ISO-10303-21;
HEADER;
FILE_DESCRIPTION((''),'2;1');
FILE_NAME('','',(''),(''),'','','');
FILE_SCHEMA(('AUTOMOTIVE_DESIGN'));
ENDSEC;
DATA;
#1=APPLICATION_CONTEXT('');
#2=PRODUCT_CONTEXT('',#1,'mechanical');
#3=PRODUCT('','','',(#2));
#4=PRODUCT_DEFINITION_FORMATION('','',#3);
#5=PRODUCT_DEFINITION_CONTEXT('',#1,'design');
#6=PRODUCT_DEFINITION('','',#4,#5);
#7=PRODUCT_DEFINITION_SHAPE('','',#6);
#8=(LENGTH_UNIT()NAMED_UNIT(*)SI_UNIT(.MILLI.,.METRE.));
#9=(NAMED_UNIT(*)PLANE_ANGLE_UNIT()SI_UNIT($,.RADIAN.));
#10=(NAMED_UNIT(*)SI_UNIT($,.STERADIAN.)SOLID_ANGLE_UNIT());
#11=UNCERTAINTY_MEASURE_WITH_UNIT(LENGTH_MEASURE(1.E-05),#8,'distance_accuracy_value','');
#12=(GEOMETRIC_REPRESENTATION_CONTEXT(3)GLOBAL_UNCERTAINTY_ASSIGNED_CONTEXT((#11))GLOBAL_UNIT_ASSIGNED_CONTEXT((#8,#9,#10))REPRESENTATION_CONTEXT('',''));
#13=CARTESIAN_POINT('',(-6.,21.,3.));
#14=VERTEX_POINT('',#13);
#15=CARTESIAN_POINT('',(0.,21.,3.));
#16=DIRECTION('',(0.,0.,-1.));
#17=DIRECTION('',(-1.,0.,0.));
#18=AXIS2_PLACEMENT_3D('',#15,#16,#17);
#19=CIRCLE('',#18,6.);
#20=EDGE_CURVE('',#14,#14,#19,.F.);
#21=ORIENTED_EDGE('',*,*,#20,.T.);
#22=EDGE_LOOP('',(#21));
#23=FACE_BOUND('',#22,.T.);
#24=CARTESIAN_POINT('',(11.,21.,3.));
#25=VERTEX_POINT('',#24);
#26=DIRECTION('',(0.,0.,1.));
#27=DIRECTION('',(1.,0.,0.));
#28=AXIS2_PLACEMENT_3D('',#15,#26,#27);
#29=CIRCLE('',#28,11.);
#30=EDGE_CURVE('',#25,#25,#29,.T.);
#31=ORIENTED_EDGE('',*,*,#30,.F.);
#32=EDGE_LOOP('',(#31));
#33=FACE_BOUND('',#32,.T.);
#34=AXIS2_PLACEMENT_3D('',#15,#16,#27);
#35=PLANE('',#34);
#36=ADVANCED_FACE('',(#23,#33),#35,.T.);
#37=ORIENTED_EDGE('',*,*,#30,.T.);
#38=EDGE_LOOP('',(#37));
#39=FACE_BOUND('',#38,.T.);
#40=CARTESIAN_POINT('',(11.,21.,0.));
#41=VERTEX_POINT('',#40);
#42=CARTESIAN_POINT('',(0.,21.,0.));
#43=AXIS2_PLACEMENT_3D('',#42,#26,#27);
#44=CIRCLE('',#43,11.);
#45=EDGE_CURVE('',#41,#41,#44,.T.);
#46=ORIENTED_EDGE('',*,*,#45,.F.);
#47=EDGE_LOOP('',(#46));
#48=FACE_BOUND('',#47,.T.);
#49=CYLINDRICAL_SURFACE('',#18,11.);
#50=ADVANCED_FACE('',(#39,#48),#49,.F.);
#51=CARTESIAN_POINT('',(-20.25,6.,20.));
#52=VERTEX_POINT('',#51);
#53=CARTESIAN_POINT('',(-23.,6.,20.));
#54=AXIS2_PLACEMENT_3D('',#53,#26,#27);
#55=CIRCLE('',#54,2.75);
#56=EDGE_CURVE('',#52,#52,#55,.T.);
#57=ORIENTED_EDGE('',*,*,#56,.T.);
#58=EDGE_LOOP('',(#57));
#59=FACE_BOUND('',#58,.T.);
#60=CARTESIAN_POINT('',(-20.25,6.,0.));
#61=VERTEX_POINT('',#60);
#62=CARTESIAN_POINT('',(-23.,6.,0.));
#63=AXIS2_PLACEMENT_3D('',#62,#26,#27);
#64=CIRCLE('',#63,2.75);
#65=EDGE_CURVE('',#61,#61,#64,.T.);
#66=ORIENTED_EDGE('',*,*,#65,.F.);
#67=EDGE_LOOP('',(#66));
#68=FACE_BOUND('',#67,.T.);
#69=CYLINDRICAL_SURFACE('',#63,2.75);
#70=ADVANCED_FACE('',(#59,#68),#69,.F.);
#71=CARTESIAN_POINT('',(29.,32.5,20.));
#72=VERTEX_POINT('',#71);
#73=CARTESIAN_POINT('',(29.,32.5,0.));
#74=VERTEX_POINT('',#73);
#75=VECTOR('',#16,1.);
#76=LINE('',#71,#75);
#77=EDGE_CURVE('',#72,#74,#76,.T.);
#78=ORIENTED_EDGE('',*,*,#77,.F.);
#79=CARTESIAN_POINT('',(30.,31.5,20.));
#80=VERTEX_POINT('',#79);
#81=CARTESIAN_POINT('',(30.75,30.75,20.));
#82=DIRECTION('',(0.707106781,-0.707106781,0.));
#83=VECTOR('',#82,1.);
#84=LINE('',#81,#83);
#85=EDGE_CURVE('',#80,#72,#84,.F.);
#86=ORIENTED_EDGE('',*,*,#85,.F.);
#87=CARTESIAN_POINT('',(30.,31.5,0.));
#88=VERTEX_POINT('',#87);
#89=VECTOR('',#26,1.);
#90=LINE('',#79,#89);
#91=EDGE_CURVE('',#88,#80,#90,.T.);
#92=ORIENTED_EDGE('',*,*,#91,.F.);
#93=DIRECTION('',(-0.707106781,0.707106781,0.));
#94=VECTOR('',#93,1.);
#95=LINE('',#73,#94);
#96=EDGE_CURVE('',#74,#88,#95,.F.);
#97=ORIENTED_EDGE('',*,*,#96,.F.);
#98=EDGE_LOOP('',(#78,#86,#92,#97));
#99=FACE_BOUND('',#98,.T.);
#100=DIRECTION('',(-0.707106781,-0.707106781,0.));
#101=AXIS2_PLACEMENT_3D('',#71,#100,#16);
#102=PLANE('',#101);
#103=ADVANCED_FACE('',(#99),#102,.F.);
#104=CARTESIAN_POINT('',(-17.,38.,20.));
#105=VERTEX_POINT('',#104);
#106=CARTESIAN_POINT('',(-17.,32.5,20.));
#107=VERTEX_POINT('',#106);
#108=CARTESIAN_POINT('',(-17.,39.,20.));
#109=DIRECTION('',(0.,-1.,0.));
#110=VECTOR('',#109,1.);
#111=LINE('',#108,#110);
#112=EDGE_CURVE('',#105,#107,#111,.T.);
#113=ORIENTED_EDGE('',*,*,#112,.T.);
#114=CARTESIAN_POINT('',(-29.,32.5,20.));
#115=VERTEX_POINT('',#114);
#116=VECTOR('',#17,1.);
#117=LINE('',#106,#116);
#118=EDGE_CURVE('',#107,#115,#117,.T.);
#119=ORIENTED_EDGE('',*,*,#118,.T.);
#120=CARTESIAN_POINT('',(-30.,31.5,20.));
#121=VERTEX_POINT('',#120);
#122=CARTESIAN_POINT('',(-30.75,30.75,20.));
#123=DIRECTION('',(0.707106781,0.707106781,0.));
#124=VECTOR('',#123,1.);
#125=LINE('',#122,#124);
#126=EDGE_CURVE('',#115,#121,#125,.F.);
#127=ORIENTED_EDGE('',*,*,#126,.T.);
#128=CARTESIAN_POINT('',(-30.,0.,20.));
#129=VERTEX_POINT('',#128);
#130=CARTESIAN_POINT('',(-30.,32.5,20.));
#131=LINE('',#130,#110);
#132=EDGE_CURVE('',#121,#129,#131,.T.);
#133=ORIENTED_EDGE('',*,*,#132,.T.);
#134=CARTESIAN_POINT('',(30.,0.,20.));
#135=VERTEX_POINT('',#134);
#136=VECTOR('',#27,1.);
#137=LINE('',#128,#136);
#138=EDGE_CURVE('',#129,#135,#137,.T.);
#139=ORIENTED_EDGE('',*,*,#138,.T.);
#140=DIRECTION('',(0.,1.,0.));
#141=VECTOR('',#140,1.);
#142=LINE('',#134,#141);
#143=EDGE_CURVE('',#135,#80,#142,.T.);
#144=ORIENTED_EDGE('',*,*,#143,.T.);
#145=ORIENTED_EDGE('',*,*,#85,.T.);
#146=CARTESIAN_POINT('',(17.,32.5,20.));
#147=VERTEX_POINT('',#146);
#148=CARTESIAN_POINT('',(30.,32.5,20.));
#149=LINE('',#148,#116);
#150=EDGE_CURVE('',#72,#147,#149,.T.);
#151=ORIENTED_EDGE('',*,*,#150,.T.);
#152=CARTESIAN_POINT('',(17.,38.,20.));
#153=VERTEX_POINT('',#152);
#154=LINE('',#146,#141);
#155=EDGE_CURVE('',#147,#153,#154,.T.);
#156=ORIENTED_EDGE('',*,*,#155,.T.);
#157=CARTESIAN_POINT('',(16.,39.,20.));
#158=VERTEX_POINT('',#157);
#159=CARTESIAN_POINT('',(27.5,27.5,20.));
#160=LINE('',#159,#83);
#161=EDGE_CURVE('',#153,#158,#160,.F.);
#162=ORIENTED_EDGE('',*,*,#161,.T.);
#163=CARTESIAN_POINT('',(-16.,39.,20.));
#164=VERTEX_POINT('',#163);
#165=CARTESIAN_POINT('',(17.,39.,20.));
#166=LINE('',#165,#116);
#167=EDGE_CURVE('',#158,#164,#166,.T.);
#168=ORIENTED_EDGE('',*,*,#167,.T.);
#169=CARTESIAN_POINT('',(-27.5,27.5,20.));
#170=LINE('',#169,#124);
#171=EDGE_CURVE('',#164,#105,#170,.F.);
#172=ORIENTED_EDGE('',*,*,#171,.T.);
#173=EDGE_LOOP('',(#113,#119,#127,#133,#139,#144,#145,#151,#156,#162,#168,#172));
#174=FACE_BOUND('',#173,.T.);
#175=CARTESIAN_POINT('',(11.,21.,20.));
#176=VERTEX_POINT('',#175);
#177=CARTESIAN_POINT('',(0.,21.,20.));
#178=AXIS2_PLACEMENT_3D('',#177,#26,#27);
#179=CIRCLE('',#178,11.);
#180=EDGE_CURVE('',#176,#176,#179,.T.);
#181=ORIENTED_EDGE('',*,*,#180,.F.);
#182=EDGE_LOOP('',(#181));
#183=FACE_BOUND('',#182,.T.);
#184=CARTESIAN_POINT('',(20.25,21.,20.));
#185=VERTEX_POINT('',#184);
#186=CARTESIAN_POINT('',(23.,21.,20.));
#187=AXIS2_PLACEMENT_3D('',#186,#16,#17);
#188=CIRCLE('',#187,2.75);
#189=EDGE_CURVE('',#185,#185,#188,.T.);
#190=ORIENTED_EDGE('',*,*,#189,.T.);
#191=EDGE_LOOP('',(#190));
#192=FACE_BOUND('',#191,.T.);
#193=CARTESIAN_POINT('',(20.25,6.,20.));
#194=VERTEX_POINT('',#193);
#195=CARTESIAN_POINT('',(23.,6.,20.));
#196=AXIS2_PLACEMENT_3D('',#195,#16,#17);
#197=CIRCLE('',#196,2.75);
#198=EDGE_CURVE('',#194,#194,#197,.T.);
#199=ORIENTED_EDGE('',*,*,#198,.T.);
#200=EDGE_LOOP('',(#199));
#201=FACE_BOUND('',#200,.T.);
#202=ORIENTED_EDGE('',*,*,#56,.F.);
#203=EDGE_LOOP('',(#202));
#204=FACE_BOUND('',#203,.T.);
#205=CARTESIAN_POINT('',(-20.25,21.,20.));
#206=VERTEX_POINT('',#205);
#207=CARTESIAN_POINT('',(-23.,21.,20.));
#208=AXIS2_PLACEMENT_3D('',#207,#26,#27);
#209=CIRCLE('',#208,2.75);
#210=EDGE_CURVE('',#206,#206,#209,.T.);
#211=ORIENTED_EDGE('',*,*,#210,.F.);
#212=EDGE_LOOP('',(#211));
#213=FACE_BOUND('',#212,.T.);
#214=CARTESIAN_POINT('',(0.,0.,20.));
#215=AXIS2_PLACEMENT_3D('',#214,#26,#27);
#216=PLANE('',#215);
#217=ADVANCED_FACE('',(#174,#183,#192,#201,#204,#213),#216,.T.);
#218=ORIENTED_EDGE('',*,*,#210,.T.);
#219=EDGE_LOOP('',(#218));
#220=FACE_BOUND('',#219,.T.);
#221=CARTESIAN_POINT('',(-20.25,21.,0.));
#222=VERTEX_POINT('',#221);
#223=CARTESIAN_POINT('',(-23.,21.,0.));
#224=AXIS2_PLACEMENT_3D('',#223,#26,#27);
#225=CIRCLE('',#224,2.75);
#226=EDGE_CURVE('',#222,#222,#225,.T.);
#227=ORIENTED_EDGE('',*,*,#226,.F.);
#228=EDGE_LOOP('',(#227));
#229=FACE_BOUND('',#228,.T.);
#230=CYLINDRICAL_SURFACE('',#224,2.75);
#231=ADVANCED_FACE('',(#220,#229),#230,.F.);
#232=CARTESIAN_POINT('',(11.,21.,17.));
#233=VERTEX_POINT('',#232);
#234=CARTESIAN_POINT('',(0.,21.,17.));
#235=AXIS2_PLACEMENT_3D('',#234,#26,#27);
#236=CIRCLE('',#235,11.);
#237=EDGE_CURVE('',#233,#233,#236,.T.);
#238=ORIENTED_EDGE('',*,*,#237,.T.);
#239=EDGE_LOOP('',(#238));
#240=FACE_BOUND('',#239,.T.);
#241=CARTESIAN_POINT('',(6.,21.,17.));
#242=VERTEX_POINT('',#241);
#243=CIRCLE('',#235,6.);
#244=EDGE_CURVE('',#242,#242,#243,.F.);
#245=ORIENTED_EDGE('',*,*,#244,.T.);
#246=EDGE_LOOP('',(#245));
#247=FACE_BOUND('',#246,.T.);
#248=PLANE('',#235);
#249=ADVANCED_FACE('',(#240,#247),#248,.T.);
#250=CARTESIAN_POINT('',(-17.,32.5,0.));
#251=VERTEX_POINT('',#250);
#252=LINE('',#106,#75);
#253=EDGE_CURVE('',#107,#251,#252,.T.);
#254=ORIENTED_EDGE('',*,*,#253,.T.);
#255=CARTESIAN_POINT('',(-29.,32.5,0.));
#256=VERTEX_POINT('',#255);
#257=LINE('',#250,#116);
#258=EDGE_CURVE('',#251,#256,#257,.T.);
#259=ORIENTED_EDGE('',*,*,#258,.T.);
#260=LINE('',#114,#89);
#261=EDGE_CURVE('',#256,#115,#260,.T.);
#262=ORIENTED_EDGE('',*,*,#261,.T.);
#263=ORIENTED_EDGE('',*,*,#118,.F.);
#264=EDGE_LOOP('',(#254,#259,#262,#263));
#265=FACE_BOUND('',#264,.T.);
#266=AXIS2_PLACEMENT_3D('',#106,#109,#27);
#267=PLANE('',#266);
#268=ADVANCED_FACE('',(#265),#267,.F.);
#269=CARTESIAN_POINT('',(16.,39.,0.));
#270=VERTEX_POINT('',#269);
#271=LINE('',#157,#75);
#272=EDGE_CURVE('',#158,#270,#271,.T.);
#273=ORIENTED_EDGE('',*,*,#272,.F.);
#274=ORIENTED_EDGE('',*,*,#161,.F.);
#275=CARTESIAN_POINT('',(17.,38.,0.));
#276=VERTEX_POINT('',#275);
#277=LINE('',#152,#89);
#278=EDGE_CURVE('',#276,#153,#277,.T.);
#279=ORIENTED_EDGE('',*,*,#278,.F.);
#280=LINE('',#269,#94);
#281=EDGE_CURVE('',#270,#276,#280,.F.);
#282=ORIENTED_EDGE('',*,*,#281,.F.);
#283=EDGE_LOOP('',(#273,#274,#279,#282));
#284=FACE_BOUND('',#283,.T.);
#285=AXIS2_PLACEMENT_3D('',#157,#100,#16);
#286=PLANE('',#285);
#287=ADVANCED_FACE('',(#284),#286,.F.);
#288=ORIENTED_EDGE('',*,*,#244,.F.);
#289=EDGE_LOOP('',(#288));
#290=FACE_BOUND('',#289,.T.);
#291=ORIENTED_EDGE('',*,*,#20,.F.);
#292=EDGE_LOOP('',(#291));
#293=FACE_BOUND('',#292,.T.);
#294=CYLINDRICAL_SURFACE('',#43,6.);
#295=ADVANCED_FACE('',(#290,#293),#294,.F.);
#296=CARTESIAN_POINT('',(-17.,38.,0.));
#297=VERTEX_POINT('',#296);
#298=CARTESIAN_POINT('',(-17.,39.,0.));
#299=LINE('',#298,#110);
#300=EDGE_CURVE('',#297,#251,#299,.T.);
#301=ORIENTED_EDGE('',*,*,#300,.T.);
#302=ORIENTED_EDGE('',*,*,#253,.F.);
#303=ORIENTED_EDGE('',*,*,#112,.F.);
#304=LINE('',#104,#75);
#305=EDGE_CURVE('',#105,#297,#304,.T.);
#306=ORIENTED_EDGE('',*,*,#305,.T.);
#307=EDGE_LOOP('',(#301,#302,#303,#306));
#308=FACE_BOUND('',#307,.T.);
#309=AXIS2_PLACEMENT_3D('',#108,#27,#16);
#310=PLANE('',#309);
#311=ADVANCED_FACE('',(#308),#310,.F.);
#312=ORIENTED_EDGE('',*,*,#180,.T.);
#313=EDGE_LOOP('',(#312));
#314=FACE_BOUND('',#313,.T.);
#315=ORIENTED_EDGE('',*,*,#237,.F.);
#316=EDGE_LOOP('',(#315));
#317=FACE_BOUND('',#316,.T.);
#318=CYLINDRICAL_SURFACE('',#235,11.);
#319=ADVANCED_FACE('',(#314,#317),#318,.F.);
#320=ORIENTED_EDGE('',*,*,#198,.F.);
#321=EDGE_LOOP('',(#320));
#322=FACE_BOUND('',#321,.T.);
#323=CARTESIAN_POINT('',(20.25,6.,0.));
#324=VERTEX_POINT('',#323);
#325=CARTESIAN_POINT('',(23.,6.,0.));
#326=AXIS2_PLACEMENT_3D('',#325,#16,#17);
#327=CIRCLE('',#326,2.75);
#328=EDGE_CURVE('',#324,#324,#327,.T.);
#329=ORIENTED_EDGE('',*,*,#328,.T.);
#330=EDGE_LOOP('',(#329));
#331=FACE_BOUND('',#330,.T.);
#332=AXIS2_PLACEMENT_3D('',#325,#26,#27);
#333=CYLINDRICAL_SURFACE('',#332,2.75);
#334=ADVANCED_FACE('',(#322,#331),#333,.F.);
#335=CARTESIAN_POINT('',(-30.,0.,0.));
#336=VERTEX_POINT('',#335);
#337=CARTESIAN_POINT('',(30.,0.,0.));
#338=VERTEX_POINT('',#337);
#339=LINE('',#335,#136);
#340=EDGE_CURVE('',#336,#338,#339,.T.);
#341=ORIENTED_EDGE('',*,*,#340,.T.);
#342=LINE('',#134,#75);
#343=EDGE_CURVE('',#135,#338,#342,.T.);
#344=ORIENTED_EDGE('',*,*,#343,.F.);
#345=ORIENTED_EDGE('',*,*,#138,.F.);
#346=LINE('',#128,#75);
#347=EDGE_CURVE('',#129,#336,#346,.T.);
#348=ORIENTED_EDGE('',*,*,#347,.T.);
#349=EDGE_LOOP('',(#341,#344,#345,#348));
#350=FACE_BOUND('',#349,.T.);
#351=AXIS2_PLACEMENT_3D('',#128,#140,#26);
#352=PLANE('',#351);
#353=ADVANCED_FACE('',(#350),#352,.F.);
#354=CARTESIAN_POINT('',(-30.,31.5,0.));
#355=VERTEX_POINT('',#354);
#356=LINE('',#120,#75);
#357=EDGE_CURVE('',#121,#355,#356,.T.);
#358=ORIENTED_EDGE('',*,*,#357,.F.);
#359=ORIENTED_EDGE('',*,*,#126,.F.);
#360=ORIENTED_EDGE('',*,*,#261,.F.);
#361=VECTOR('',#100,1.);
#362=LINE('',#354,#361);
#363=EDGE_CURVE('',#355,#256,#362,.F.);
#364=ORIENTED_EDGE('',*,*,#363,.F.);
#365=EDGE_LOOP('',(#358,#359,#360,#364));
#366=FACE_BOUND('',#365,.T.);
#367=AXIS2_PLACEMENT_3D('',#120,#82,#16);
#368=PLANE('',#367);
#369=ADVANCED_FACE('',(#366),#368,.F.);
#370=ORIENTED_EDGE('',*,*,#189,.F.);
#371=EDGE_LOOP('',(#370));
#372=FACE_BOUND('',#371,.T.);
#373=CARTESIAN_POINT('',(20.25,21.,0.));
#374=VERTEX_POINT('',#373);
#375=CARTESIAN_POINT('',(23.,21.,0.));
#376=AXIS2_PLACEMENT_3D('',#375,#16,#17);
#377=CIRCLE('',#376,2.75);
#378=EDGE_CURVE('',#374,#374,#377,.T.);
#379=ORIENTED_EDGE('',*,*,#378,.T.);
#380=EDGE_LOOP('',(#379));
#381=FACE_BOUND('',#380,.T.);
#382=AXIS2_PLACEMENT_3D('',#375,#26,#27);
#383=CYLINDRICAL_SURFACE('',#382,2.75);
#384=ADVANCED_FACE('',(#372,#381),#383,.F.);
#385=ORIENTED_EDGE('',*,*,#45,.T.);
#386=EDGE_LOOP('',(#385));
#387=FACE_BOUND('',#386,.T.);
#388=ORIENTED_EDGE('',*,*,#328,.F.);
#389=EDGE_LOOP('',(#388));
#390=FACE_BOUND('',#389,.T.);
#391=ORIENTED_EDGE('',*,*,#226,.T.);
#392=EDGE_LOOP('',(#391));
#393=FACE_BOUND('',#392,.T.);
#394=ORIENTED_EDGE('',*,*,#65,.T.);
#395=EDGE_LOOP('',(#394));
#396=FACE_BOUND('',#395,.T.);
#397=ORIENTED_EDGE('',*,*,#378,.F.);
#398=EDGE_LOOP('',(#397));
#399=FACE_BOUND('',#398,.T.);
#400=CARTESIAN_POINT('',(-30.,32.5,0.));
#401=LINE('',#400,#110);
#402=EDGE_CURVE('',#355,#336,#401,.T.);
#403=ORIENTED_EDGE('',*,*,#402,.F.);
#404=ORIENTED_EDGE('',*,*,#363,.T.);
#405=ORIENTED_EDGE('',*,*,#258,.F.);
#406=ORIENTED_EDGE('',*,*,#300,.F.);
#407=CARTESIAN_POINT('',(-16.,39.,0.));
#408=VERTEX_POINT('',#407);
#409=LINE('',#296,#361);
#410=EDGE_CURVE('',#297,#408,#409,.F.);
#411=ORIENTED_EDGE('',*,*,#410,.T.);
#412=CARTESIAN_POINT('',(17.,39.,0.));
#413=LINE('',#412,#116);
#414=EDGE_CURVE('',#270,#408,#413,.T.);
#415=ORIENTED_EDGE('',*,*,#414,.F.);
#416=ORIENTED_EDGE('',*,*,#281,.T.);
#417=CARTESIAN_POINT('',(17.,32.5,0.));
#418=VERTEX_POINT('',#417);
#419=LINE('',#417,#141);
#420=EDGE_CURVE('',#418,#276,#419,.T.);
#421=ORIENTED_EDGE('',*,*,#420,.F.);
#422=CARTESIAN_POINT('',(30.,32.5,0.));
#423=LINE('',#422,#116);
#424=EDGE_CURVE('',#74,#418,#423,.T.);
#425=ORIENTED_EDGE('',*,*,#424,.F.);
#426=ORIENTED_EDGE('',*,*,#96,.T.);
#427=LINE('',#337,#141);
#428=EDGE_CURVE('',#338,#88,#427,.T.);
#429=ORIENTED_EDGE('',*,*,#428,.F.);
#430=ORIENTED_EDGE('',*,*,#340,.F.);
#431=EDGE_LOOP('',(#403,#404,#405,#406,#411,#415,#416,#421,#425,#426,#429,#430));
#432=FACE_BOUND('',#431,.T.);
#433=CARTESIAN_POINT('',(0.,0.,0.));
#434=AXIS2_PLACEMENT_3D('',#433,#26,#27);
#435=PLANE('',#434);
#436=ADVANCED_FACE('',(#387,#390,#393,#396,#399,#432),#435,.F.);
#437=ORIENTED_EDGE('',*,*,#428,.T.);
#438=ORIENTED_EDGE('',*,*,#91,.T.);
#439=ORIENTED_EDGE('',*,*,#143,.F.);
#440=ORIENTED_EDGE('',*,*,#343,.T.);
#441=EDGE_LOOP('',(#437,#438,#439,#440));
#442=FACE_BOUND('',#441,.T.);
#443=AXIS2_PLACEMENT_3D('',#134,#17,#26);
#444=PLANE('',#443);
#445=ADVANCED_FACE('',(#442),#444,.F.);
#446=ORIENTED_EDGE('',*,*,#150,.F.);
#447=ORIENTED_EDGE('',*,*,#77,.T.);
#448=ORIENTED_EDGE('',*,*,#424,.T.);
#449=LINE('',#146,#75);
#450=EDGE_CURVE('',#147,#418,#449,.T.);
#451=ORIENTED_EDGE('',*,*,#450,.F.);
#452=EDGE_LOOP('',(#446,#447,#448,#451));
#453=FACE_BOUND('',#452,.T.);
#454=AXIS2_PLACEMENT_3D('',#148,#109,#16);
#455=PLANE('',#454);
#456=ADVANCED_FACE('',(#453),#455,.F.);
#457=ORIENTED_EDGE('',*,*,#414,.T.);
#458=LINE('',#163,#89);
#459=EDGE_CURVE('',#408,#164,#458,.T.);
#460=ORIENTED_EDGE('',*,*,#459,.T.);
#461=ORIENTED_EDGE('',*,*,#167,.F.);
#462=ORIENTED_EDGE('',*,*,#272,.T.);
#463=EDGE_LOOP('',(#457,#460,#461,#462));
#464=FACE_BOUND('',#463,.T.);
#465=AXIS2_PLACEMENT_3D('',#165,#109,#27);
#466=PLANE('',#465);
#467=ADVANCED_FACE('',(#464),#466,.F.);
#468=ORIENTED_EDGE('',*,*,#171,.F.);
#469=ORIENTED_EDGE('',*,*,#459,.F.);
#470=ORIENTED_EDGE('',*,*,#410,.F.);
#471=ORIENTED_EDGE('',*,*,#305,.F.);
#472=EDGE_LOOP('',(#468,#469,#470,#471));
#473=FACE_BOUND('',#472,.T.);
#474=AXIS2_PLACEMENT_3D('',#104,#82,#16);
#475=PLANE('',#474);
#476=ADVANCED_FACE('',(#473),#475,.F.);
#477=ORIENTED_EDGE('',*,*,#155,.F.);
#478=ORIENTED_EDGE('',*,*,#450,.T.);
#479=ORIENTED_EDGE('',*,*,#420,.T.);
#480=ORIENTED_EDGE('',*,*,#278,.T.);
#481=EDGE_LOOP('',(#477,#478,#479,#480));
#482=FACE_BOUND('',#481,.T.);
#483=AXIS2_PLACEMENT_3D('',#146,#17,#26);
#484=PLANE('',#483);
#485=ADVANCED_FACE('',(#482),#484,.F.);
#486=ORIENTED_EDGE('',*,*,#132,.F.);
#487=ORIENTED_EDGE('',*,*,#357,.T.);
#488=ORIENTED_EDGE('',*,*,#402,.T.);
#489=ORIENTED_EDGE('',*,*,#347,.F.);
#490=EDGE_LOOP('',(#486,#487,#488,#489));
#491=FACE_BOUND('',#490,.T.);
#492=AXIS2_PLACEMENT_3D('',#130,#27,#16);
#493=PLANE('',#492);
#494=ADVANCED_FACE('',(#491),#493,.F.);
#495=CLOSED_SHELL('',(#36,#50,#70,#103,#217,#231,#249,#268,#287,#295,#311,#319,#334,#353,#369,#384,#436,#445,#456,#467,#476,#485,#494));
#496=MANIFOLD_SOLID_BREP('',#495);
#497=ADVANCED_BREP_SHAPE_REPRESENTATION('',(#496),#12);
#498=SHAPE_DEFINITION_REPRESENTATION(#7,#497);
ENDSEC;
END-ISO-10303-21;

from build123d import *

# Parameters (mm, degrees)
EXTRUDE_1_DEPTH     = 20
CHAMFER_1_SIZE      = 1
CHAMFER_2_SIZE      = 1
SKETCH_2_R          = 2.75
CUT_EXTRUDE_1_DEPTH = 20
SKETCH_4_R          = 6
CUT_EXTRUDE_2_DEPTH = 20
SKETCH_5_R          = 11
CUT_EXTRUDE_3_DEPTH = 3


with BuildPart() as part:
    # 草图1 → 凸台-拉伸1 (new body)
    with BuildSketch(Plane.XY):
        Polygon((-30, 0), (30, 0), (30, 32.5), (17, 32.5), (17, 39), (-17, 39), (-17, 32.5), (-30, 32.5), align=None)
    extrude(amount=EXTRUDE_1_DEPTH)

    # 倒角1
    chamfer_1_edges = [part.edges().sort_by_distance(p)[0] for p in [
        (17, 39, 10),
    ]]
    chamfer(chamfer_1_edges, length=CHAMFER_1_SIZE)

    # 倒角2
    chamfer_2_edges = [part.edges().sort_by_distance(p)[0] for p in [
        (-30, 32.5, 10),
        (-17, 39, 10),
        (30, 32.5, 10),
    ]]
    chamfer(chamfer_2_edges, length=CHAMFER_2_SIZE)

    # 草图2 → 切除-拉伸1 (cut)
    with BuildSketch(Plane.XY.offset(20)):
        with Locations((-23, 21)):
            Circle(SKETCH_2_R)
        with Locations((-23, 6)):
            Circle(SKETCH_2_R)
    cut_extrude_1 = extrude(amount=-CUT_EXTRUDE_1_DEPTH, mode=Mode.SUBTRACT)

    # 镜向1: 切除-拉伸1 across plane
    add(cut_extrude_1.mirror(Plane(origin=(0, 0, 0), x_dir=(0, 0, 1), z_dir=(1, 0, 0))), mode=Mode.SUBTRACT)

    # 草图4 → 切除-拉伸2 (cut)
    with BuildSketch(Plane.XY.offset(20)):
        with Locations((0, 21)):
            Circle(SKETCH_4_R)
    extrude(amount=-CUT_EXTRUDE_2_DEPTH, mode=Mode.SUBTRACT)

    # 草图5 → 切除-拉伸3 (cut)
    with BuildSketch(Plane.XY.offset(20)):
        with Locations((0, 21)):
            Circle(SKETCH_5_R)
    cut_extrude_3 = extrude(amount=-CUT_EXTRUDE_3_DEPTH, mode=Mode.SUBTRACT)

    # 镜向2: 切除-拉伸3 across plane
    add(cut_extrude_3.mirror(Plane(origin=(0, 0, 10), x_dir=(1, 0, 0), z_dir=(0, 0, -1))), mode=Mode.SUBTRACT)


solid = part.part
